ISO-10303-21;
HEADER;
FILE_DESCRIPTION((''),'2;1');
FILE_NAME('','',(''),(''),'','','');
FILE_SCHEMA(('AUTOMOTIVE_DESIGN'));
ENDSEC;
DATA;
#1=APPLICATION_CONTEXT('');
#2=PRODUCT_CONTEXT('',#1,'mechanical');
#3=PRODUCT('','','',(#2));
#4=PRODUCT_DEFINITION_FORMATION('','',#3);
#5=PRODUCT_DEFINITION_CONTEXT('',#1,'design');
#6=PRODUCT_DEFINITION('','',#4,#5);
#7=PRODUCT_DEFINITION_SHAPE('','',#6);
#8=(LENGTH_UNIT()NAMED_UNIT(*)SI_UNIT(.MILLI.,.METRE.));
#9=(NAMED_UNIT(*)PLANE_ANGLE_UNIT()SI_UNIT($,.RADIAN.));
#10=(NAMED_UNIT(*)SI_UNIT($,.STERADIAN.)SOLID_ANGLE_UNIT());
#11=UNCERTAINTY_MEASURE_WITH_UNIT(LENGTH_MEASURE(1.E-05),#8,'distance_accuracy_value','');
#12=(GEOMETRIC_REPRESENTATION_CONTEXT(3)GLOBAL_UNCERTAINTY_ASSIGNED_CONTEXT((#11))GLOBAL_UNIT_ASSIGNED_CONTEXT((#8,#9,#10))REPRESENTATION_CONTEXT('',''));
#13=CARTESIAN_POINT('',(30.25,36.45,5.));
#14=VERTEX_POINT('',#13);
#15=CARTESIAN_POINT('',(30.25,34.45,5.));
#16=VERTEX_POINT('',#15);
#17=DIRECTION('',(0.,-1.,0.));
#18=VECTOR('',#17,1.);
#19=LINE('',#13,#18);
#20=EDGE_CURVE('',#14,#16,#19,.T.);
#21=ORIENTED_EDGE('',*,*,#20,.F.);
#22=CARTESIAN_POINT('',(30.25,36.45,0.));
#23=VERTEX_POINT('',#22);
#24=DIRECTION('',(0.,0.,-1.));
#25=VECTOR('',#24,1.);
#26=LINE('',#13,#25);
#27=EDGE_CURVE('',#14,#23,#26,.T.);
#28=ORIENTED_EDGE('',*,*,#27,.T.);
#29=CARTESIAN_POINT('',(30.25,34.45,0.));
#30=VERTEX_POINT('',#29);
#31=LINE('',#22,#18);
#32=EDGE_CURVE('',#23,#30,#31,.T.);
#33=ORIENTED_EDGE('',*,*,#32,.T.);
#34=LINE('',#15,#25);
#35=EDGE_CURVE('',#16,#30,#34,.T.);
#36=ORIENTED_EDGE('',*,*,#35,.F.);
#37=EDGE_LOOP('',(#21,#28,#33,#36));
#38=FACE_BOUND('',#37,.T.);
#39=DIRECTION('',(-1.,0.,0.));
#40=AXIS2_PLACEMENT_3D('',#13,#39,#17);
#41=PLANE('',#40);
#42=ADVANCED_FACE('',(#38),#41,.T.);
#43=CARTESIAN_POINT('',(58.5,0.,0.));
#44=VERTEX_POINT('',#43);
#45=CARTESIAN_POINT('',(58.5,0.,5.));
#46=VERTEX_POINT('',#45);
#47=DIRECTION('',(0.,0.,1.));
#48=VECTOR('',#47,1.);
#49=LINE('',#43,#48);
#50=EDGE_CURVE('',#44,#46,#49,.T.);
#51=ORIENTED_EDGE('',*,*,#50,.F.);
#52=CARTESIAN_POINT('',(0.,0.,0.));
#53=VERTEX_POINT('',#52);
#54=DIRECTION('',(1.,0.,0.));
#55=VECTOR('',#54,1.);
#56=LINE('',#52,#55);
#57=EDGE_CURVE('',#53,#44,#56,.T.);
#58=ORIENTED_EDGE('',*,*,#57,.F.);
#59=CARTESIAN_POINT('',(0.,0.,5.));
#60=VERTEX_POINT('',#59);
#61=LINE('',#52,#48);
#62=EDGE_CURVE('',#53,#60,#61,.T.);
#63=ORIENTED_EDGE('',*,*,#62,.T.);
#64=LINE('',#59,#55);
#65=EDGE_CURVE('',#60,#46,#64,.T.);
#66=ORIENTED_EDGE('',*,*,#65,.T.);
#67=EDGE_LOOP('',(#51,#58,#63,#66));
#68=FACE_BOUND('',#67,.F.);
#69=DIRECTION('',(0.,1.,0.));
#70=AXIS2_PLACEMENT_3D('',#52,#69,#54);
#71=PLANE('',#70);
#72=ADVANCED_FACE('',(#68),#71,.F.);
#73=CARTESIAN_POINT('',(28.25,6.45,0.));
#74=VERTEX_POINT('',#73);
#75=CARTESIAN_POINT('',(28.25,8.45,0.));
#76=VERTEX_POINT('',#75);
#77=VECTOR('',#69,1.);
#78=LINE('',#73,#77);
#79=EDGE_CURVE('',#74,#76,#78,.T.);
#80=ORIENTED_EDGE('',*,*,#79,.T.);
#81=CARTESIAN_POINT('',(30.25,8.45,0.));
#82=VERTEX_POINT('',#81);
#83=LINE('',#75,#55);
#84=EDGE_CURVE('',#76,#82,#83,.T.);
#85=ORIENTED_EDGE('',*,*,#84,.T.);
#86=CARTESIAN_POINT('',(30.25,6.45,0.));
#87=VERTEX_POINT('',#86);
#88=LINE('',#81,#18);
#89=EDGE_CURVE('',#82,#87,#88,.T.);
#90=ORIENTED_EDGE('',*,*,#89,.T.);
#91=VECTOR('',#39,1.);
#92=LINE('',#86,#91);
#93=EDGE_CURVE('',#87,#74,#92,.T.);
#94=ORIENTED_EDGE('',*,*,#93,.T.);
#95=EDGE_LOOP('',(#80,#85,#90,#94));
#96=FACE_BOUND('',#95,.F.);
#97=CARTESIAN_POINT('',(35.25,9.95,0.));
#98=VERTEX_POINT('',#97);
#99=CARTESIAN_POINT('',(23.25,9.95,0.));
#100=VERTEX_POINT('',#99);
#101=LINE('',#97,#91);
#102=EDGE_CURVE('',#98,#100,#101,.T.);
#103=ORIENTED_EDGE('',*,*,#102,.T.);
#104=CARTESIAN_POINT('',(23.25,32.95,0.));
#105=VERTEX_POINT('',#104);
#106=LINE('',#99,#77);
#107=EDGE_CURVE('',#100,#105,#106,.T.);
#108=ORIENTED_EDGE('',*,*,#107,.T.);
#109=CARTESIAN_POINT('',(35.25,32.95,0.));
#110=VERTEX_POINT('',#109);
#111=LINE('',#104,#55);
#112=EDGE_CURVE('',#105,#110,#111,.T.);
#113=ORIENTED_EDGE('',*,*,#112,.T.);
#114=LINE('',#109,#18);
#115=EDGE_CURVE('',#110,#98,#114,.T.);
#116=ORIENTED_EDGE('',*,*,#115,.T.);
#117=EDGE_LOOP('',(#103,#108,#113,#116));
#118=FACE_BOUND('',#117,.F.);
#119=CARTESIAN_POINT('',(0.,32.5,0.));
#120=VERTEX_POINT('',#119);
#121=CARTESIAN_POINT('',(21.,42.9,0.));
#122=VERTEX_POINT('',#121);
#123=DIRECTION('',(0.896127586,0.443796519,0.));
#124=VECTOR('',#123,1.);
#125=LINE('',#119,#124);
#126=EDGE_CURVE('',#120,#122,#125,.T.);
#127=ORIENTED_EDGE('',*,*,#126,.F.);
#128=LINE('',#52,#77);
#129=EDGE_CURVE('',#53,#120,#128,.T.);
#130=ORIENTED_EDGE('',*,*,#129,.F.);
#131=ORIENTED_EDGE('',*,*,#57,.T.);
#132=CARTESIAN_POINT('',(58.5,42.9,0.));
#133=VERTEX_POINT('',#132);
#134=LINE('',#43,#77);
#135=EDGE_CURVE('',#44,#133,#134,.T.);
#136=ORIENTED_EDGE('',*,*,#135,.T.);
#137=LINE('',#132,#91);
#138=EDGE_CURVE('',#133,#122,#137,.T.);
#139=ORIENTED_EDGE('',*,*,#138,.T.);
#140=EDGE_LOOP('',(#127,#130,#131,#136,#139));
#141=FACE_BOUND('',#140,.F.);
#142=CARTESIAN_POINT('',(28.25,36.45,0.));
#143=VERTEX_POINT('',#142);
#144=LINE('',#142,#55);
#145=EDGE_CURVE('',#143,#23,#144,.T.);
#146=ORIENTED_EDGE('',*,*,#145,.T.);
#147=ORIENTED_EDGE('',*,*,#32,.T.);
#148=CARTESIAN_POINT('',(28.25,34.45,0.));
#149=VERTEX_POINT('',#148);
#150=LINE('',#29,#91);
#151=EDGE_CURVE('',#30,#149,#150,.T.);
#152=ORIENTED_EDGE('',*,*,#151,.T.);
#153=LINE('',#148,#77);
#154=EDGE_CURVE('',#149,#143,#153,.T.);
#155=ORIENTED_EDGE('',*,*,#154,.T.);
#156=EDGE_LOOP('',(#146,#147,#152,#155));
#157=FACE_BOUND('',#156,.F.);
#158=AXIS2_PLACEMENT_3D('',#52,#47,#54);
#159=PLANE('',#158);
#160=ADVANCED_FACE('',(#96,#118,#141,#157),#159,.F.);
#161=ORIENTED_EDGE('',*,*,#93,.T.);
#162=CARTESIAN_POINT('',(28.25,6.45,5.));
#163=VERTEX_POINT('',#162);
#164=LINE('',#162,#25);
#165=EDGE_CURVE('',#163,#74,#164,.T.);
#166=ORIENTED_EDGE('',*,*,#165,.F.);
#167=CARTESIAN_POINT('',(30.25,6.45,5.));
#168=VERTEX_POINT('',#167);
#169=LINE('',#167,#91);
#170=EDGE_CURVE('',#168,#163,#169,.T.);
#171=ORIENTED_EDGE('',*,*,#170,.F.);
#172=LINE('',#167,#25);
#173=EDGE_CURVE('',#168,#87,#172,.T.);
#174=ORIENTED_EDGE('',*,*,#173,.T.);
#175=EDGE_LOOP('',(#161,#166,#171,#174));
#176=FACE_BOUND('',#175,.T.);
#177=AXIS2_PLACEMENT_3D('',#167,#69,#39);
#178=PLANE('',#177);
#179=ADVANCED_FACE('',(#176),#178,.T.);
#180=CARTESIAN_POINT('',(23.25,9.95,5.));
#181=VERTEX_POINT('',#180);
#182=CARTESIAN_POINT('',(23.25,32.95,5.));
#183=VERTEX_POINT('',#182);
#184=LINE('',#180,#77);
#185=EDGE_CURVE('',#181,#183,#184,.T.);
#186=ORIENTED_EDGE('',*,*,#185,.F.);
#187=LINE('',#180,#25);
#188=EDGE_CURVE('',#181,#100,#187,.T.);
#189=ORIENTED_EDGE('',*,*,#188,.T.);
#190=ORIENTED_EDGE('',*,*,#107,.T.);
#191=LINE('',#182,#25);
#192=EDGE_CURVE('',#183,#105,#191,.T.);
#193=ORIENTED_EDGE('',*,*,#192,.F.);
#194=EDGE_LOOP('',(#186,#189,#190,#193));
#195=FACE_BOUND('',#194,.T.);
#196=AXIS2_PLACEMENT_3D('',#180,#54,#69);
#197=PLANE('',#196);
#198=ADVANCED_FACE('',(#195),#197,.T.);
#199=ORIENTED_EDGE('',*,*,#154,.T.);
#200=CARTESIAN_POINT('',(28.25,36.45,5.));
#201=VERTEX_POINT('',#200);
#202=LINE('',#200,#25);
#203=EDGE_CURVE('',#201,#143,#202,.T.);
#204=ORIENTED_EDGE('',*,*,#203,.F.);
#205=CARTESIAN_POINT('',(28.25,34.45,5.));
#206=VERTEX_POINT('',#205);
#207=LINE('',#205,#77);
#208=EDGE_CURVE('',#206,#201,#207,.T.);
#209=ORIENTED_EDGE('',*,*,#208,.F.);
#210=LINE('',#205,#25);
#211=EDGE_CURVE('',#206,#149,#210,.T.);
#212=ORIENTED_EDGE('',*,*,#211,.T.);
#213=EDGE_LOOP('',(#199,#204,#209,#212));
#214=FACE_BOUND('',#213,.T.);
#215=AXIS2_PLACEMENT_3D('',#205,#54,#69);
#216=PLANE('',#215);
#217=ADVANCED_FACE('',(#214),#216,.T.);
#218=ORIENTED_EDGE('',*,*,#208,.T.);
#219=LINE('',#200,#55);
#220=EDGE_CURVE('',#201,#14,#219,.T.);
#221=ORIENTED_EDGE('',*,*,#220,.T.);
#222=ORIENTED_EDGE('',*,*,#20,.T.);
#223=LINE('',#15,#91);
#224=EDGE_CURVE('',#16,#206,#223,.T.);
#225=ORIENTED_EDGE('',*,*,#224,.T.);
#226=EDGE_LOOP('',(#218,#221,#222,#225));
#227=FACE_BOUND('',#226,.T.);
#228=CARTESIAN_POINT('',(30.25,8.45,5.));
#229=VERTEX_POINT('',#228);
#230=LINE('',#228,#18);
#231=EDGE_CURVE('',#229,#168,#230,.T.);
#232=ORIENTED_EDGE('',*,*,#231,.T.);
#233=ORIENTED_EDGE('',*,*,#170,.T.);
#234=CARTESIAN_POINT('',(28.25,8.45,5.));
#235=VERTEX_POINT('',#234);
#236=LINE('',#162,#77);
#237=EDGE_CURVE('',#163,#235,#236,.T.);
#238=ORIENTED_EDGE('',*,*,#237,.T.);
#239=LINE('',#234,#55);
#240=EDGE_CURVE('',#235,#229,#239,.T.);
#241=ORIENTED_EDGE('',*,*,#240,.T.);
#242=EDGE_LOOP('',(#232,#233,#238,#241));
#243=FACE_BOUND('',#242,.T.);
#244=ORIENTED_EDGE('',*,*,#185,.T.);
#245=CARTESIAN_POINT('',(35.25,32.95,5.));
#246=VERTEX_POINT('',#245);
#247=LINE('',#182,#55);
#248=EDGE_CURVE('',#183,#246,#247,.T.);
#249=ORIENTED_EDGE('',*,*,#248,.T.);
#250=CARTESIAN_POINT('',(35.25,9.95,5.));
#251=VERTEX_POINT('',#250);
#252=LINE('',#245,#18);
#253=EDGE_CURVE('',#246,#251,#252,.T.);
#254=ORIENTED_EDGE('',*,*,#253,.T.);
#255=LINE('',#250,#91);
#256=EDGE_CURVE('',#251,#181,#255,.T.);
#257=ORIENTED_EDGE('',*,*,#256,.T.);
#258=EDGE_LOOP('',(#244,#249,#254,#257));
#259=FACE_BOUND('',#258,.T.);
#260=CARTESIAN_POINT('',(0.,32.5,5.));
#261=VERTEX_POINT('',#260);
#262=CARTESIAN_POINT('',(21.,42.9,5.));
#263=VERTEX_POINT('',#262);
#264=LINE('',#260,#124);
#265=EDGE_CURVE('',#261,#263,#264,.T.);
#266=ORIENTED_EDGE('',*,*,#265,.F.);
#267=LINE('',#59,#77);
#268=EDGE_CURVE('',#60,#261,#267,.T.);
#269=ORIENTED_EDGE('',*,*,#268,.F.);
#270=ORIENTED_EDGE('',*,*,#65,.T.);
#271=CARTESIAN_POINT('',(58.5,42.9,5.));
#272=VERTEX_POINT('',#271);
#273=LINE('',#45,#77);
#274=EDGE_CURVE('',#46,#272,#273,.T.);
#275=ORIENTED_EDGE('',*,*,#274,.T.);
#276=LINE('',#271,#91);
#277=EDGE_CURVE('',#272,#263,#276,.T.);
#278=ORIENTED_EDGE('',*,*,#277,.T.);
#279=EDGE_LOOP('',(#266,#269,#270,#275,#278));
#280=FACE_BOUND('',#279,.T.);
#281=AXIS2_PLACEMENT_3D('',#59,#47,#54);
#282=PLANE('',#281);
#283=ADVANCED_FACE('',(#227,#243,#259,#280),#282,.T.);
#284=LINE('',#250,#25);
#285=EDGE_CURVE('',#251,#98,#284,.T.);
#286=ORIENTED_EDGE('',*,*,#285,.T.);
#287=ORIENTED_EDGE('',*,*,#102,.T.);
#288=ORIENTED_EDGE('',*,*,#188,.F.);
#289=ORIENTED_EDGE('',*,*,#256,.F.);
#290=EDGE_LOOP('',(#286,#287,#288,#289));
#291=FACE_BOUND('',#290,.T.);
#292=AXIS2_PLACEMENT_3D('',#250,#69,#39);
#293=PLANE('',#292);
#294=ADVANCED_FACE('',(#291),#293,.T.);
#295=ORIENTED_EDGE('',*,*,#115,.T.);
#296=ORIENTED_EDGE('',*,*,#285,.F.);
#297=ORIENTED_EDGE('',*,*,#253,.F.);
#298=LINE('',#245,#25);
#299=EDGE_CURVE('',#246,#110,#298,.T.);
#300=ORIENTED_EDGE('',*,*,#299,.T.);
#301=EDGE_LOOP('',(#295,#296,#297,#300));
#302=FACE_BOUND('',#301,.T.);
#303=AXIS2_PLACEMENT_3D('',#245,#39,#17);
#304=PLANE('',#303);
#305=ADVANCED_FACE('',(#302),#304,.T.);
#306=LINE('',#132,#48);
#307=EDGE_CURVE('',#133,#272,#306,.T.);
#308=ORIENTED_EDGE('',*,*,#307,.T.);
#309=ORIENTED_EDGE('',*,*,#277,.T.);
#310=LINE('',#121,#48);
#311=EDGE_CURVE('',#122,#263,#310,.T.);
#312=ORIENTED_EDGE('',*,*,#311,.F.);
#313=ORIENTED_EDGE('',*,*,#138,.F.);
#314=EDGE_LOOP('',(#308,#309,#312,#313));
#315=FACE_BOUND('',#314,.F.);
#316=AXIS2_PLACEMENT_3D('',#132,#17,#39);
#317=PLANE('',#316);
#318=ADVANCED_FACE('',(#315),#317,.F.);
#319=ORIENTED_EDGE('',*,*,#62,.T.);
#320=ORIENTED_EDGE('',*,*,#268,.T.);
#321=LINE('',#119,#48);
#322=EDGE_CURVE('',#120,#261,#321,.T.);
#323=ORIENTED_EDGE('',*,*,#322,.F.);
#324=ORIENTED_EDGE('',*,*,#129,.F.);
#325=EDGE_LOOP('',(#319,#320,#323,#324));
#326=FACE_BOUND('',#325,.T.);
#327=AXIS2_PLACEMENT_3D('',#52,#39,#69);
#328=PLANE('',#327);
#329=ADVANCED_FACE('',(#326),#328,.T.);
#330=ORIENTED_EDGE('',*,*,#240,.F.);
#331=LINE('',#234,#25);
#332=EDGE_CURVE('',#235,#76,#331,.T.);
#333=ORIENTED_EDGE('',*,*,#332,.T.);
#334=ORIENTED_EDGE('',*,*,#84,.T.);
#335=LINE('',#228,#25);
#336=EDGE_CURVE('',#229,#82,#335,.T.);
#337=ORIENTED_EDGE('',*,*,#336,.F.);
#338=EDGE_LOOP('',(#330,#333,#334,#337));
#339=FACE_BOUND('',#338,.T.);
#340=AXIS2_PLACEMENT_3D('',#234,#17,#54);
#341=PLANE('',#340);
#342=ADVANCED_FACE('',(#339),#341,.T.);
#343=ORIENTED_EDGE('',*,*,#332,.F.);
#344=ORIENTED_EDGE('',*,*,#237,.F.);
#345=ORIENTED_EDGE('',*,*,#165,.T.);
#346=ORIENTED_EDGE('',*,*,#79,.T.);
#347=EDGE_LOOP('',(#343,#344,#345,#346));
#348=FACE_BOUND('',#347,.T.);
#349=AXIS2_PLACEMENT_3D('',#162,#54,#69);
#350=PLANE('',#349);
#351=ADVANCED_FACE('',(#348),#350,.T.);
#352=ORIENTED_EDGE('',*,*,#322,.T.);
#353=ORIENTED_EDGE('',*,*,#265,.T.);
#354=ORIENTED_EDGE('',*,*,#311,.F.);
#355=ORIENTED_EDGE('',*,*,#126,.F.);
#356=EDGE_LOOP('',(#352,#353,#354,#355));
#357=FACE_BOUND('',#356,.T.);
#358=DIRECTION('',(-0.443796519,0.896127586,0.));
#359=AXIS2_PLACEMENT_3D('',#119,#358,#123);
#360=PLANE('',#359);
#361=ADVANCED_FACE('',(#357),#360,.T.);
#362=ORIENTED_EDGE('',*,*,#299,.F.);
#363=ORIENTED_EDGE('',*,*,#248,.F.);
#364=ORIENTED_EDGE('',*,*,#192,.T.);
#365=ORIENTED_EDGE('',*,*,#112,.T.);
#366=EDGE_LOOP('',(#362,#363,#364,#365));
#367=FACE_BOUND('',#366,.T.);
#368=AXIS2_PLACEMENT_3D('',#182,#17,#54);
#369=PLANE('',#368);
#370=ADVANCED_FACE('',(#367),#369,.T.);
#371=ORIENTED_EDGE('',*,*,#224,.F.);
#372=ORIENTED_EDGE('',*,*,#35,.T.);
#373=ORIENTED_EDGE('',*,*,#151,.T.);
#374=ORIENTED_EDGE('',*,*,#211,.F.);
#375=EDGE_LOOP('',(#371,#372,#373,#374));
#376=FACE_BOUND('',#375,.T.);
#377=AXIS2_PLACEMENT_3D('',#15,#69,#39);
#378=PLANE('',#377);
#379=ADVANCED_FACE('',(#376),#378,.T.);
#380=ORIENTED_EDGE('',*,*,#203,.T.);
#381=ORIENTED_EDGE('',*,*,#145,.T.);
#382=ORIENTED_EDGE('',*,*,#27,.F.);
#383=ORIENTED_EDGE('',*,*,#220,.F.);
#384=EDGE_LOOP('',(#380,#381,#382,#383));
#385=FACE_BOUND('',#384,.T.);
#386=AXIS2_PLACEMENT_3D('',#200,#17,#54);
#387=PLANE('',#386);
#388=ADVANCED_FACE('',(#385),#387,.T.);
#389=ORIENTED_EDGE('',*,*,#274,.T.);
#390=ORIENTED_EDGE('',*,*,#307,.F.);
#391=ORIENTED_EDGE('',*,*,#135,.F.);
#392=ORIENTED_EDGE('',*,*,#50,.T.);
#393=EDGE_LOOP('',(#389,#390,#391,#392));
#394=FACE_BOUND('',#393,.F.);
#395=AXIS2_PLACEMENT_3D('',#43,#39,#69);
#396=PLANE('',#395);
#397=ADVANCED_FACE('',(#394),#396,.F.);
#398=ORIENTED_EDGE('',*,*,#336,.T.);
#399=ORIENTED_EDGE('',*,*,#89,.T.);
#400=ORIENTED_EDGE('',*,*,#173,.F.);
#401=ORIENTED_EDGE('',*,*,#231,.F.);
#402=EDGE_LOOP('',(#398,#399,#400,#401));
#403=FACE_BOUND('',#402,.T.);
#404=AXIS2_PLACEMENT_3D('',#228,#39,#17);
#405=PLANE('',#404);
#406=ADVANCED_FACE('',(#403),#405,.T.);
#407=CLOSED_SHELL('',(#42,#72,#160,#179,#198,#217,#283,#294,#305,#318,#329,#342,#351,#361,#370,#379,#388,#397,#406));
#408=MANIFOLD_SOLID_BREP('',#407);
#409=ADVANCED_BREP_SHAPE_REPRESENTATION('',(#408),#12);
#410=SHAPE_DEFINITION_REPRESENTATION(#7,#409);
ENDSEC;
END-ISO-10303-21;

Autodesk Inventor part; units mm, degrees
ref_plane "YZ Plane" through (0, 0, 0) normal (1, 0, 0) x (0, 1, 0)
ref_plane "XZ Plane" through (0, 0, 0) normal (0, 1, 0) x (-1, 0, 0)
ref_plane "XY Plane" through (0, 0, 0) normal (0, 0, 1) x (1, 0, 0)
sketch "Esquisse1" plane through (0, 0, 0) normal (0, 0, 1) x (1, 0, 0)
  line L0 (0, 0) -> (0, 32.5)
  line L1 (0, 0) -> (58.5, 0)
  line L2 (58.5, 0) -> (58.5, 42.9)
  line L3 (58.5, 42.9) -> (21, 42.9)
  line L4 (0, 32.5) -> (21, 42.9)
  line L5 (58.5, 42.9) -> (0, 42.9) construction
  line L6 (0, 42.9) -> (0, 0) construction
  line L7 (0, 42.9) -> (58.5, 0) construction
  line L8 (58.5, 42.9) -> (0, 0) construction
  dimension "d0" = 32.5
  dimension "d1" = 58.5
  dimension "d2" = 42.9
  dimension "d3" = 37.5
extrude "Extrusion1" add sketch "Esquisse1" along normal blind 5
sketch "Esquisse2" plane through (0, 0, 5) normal (0, 0, 1) x (1, 0, 0)
  line L0 (23.25, 32.95) -> (35.25, 32.95)
  line L1 (35.25, 32.95) -> (35.25, 9.95)
  line L2 (35.25, 9.95) -> (23.25, 9.95)
  line L3 (23.25, 9.95) -> (23.25, 32.95)
  line L4 (0, 32.5) -> (0, 0) projected
  line L5 (58.5, 42.9) -> (21, 42.9) projected
  line L6 (28.25, 36.45) -> (30.25, 36.45)
  line L7 (30.25, 36.45) -> (30.25, 34.45)
  line L8 (30.25, 34.45) -> (28.25, 34.45)
  line L9 (28.25, 34.45) -> (28.25, 36.45)
  line L10 (28.25, 8.45) -> (30.25, 8.45)
  line L11 (30.25, 8.45) -> (30.25, 6.45)
  line L12 (30.25, 6.45) -> (28.25, 6.45)
  line L13 (28.25, 6.45) -> (28.25, 8.45)
  dimension "d6" = 23
  dimension "d7" = 12
  dimension "d8" = 23.25
  dimension "d9" = 9.95
  dimension "d10" = 2
  dimension "d11" = 2
  dimension "d12" = 2
  dimension "d13" = 2
  dimension "d14" = 1.5
  dimension "d15" = 1.5
  dimension "d16" = 5
  dimension "d17" = 5
extrude "Extrusion2" cut sketch "Esquisse2" against normal blind 5
properties part number "BackHand" material "Plastique ABS"
